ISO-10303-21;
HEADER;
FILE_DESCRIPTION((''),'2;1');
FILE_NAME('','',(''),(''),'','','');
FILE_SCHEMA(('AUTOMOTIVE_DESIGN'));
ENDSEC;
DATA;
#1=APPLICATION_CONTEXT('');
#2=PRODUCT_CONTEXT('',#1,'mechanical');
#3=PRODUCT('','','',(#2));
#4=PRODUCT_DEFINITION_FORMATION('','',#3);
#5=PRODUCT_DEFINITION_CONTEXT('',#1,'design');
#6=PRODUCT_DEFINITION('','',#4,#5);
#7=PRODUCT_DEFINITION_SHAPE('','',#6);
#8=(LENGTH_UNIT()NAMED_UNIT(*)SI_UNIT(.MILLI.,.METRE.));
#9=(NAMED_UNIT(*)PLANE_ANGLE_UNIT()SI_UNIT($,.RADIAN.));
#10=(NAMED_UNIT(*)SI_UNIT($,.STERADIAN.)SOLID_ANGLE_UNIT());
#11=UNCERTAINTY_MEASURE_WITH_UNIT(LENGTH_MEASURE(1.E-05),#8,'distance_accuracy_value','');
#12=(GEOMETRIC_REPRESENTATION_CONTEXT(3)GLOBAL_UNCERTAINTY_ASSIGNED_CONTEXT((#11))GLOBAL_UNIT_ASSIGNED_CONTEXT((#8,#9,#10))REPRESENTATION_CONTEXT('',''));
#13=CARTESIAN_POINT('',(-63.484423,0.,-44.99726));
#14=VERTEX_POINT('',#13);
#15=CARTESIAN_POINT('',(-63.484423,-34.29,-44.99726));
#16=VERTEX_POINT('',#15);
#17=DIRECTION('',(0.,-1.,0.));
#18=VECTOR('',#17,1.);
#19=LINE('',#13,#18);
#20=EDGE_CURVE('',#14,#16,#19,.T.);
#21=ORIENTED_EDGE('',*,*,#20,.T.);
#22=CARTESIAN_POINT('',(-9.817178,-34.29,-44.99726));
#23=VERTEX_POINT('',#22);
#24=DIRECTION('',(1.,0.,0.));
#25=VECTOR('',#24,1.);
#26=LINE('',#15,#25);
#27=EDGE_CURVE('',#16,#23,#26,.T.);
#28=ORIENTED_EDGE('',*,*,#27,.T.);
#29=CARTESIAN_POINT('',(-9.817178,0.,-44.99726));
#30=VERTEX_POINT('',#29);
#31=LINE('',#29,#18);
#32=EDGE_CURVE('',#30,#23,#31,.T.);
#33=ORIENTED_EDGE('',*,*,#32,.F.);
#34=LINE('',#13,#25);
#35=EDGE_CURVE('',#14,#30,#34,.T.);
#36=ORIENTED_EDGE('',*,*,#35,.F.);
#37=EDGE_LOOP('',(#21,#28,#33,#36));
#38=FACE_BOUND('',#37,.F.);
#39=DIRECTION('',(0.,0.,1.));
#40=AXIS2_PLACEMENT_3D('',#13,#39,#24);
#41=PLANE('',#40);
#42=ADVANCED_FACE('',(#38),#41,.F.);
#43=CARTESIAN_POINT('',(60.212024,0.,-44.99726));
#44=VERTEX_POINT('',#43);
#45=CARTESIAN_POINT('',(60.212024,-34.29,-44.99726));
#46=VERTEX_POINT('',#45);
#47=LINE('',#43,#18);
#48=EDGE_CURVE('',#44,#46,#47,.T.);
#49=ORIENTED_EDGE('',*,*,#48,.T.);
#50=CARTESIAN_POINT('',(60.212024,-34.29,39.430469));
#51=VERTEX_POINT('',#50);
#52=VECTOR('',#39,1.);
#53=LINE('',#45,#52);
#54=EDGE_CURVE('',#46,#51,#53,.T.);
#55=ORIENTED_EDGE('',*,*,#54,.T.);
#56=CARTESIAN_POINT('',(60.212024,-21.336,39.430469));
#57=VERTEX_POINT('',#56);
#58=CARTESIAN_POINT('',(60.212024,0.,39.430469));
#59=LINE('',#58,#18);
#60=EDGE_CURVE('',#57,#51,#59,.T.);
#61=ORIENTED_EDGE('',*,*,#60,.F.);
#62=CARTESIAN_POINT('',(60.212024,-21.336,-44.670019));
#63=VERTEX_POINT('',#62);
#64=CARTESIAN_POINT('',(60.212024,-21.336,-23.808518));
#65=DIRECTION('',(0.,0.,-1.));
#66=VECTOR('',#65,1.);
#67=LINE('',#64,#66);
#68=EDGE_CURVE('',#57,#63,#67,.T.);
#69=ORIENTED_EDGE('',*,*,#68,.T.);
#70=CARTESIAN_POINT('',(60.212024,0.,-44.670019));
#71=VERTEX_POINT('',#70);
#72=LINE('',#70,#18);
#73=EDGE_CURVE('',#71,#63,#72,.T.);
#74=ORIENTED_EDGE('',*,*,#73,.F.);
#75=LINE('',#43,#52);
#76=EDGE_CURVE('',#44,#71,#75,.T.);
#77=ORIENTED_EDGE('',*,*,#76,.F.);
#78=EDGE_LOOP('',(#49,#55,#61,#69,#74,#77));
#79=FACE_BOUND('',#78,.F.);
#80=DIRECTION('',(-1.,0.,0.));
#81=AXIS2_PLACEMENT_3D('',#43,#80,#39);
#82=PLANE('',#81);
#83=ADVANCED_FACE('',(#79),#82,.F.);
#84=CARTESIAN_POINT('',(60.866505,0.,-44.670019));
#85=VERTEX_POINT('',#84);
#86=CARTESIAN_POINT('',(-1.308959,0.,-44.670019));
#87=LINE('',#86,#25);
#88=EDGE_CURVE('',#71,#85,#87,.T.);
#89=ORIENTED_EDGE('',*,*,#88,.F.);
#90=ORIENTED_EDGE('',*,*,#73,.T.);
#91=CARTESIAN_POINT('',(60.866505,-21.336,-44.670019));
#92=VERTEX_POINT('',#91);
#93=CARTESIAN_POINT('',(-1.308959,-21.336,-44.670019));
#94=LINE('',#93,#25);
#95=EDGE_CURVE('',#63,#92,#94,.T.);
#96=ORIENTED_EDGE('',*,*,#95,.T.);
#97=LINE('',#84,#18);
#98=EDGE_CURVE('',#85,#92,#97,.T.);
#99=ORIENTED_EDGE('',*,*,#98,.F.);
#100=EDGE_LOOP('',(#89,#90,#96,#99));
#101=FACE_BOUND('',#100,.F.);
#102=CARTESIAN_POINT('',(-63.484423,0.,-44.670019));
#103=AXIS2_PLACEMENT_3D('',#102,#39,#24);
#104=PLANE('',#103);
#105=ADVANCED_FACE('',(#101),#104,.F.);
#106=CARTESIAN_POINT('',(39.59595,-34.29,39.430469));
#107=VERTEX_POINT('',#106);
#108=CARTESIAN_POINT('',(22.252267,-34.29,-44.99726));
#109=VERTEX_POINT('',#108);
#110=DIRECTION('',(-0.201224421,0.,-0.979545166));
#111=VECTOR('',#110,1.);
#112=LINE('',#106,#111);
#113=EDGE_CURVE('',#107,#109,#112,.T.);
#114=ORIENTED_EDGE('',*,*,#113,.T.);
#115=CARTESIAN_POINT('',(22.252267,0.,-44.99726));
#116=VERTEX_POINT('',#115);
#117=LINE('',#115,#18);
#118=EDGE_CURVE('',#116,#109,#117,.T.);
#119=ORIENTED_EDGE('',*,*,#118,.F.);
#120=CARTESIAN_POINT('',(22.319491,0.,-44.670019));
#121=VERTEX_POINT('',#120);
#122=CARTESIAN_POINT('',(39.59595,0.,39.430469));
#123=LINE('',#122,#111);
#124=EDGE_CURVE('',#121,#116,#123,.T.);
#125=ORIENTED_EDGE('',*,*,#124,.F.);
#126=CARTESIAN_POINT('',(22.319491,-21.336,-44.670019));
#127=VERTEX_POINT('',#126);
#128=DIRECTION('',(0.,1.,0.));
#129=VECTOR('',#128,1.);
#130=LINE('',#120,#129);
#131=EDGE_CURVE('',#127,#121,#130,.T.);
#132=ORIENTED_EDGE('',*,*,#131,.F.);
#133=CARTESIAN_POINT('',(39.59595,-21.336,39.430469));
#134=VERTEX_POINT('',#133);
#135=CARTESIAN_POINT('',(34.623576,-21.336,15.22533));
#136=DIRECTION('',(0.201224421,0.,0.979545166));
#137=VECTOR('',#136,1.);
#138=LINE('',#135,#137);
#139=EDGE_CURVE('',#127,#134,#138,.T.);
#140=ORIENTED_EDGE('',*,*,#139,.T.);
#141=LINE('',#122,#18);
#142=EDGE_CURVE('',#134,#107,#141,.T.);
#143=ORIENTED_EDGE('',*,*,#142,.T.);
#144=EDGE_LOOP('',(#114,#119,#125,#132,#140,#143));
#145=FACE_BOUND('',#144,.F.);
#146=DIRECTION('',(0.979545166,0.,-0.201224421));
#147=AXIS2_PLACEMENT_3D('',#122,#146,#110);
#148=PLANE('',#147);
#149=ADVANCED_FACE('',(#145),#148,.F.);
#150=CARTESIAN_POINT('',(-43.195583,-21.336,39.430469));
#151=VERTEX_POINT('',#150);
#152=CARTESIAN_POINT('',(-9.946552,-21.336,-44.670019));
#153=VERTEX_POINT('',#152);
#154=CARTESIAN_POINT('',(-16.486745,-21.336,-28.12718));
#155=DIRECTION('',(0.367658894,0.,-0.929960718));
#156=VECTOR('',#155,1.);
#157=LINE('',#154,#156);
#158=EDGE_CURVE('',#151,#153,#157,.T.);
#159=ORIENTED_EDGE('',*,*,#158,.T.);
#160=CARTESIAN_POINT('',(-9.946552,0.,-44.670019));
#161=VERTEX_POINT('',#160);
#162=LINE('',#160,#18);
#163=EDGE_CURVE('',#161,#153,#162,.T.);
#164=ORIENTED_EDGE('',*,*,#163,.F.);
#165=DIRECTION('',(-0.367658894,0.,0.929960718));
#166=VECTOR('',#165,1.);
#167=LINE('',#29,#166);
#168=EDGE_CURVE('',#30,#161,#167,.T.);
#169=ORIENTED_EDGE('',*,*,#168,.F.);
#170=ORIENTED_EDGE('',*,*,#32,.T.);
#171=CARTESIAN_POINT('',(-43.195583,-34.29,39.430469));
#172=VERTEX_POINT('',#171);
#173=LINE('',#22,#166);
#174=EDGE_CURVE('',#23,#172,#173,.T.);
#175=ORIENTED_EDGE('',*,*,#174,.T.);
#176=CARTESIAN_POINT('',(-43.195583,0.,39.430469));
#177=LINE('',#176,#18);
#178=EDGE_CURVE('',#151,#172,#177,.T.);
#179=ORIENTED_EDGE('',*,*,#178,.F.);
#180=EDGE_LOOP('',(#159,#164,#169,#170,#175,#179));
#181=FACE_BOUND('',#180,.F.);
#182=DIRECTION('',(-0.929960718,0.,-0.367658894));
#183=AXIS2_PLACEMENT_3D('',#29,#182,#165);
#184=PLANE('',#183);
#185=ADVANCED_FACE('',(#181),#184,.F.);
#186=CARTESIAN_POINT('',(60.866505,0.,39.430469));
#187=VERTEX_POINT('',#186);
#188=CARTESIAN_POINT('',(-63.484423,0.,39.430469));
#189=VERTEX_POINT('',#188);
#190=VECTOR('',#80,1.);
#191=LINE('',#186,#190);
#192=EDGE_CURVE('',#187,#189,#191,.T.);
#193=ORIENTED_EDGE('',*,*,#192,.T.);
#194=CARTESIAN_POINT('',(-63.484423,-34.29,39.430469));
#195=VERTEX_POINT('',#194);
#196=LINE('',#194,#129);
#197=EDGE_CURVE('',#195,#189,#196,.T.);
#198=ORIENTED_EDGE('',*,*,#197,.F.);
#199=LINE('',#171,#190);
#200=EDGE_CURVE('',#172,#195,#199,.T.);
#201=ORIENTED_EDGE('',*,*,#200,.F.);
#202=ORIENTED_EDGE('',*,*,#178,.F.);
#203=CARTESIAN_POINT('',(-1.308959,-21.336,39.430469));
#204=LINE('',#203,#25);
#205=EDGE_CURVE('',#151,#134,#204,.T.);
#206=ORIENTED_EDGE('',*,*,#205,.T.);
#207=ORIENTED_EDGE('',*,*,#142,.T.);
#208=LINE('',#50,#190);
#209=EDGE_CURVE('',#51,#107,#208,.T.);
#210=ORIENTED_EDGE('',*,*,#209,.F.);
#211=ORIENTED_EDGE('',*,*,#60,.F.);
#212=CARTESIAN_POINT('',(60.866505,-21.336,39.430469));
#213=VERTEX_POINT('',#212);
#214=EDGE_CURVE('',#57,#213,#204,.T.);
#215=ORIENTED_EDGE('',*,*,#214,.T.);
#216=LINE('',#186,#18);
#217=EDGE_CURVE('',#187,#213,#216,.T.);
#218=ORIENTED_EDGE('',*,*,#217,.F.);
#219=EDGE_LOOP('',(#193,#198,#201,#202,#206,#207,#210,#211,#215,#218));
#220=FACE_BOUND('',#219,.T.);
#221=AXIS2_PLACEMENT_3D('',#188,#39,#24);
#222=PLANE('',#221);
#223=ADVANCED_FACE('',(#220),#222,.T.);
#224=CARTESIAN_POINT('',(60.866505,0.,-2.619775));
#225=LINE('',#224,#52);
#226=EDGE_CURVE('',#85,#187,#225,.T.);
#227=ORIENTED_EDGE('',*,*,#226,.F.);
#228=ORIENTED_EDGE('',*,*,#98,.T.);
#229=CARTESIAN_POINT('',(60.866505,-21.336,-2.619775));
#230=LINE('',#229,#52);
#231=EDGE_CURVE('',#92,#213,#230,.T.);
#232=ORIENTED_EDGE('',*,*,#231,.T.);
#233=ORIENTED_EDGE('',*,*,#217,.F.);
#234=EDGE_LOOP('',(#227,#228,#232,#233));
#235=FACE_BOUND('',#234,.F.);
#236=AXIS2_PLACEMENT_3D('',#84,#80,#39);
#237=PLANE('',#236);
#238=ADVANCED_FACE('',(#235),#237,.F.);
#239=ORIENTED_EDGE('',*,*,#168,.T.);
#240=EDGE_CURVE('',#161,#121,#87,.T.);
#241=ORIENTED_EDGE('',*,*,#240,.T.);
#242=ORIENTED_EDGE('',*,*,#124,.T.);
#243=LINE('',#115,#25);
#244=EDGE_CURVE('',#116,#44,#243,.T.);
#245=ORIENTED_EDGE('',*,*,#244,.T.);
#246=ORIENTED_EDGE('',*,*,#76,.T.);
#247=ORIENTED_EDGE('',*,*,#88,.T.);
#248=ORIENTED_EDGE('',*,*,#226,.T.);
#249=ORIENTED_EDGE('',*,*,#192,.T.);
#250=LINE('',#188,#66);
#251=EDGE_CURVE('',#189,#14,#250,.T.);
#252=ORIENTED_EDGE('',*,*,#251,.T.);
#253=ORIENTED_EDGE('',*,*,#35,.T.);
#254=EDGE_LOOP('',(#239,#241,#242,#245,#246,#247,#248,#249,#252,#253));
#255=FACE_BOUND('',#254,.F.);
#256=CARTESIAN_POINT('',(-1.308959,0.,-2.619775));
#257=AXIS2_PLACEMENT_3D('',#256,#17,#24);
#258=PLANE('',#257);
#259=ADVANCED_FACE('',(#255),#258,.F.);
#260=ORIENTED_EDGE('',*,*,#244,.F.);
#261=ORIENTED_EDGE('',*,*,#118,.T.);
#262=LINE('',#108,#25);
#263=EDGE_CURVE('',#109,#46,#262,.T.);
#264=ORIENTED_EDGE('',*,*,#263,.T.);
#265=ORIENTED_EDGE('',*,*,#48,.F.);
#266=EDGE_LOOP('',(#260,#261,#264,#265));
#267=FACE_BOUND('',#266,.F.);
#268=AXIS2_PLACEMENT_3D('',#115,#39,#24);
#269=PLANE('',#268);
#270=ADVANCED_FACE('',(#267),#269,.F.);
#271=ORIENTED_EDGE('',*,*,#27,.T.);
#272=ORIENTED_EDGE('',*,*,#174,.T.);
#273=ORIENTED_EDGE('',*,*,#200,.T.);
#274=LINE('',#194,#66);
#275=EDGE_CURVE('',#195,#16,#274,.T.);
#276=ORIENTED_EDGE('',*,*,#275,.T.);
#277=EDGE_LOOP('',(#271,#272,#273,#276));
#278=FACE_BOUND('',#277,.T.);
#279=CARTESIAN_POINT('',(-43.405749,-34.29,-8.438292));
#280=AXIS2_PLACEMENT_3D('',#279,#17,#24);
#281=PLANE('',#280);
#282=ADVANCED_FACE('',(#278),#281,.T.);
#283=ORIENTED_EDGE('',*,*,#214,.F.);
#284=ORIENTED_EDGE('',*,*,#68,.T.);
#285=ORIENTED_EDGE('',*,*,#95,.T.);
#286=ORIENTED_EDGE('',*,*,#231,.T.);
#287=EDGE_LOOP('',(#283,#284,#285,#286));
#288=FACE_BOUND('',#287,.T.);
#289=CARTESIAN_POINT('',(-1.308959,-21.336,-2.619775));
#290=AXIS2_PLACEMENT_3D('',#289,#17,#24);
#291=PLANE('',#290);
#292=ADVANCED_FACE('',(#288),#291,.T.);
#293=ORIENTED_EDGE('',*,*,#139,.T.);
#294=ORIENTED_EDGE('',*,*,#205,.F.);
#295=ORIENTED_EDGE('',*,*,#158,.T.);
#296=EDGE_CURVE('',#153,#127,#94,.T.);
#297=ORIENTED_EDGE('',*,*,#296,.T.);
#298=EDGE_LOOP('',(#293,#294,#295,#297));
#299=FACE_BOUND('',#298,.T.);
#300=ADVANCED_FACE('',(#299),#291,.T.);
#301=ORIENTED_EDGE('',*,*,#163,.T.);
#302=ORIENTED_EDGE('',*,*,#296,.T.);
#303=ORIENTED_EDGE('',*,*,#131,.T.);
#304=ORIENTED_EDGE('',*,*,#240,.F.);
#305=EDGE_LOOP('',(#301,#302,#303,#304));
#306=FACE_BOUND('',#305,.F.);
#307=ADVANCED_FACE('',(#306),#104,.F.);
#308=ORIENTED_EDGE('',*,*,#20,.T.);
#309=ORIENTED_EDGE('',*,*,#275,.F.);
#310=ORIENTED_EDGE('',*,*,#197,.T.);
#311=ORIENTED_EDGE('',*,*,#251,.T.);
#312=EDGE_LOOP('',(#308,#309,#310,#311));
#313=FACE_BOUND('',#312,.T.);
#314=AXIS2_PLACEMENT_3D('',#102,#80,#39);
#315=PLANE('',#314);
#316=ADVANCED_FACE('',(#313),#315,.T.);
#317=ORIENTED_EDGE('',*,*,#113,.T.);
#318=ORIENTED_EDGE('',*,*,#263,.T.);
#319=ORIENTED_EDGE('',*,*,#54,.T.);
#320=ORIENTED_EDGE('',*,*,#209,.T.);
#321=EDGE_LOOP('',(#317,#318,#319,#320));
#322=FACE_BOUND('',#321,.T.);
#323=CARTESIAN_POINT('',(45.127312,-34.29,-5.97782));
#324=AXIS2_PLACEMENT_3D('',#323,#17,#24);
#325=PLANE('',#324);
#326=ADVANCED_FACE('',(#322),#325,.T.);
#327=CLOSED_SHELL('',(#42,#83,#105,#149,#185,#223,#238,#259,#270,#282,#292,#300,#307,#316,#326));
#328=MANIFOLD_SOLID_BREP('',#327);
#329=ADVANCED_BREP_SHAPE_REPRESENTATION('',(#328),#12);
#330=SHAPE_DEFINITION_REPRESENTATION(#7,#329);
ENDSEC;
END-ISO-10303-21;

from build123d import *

# Parameters (mm, degrees)
F0_W     = 124.350928
F0_H     = 84.100488
F1_DEPTH = 21.336
F3_DEPTH = 34.29


with BuildPart() as f1:
    # F0 (on Front) → F1 (new body)
    with BuildSketch(Plane.XZ):
        with Locations((-1.308959, -2.619775)):
            Rectangle(F0_W, F0_H)
    extrude(amount=F1_DEPTH)

    # F2 (on Front) → F3 (join)
    with BuildSketch(Plane.XZ):
        Polygon((-43.195583, 39.430469), (-63.484423, 39.430469), (-63.484423, -44.99726), (-9.817178, -44.99726), align=None)
        Polygon((60.212024, -44.99726), (60.212024, 39.430469), (39.59595, 39.430469), (22.252267, -44.99726), align=None)
    extrude(amount=F3_DEPTH)


solid = f1.part
